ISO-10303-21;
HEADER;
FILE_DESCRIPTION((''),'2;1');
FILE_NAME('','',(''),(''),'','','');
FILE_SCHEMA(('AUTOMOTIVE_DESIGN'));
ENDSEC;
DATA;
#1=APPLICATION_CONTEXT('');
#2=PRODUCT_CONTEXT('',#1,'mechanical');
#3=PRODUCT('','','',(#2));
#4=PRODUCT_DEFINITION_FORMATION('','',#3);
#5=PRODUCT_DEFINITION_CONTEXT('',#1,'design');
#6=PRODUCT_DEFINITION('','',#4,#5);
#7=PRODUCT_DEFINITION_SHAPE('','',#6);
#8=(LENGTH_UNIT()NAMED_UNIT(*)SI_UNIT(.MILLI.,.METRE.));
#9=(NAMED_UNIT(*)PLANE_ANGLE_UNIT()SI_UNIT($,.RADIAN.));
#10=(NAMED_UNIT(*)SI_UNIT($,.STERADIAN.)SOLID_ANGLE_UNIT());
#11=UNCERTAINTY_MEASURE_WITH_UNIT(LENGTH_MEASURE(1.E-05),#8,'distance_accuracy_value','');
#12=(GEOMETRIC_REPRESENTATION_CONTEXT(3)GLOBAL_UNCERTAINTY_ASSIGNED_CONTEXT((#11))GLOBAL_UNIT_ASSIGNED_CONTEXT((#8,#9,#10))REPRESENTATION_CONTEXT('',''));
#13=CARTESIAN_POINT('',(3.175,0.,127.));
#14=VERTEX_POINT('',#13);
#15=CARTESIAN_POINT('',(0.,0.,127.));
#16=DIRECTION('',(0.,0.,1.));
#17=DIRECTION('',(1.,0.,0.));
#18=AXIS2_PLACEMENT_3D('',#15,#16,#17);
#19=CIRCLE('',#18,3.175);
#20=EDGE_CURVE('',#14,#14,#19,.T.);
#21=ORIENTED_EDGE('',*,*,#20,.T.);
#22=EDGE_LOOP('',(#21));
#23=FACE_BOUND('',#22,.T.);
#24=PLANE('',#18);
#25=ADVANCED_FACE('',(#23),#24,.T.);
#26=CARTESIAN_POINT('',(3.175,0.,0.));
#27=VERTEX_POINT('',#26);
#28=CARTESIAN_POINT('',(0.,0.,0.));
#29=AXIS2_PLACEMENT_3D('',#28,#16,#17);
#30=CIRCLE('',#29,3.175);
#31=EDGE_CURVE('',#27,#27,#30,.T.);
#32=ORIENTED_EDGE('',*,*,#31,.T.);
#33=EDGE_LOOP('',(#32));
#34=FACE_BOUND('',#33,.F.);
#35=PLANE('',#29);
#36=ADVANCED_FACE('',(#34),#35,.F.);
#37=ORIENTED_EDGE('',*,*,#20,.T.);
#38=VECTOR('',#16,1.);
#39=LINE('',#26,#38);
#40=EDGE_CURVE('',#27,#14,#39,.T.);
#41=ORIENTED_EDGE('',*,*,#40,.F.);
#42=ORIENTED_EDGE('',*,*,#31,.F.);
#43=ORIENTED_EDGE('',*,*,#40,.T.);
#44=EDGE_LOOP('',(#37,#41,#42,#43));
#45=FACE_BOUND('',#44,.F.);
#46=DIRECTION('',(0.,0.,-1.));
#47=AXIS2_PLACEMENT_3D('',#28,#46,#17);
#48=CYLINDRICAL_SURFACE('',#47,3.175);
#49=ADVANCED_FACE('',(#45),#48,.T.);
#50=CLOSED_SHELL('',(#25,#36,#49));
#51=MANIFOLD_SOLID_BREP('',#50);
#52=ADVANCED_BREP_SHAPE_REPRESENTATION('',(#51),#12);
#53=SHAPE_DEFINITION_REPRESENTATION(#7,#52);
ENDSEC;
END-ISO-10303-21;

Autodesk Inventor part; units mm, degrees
ref_plane "YZ Plane" through (0, 0, 0) normal (1, 0, 0) x (0, 1, 0)
ref_plane "XZ Plane" through (0, 0, 0) normal (0, 1, 0) x (-1, 0, 0)
ref_plane "XY Plane" through (0, 0, 0) normal (0, 0, 1) x (1, 0, 0)
sketch "Sketch1" plane through (0, 0, 0) normal (0, 0, 1) x (1, 0, 0)
  circle A0 centre (0, 0) radius 3.175
  dimension "d0" = 6.35
extrude "Extrusion1" add sketch "Sketch1" along normal blind 127
properties part number "Water_rod" material "Water"
